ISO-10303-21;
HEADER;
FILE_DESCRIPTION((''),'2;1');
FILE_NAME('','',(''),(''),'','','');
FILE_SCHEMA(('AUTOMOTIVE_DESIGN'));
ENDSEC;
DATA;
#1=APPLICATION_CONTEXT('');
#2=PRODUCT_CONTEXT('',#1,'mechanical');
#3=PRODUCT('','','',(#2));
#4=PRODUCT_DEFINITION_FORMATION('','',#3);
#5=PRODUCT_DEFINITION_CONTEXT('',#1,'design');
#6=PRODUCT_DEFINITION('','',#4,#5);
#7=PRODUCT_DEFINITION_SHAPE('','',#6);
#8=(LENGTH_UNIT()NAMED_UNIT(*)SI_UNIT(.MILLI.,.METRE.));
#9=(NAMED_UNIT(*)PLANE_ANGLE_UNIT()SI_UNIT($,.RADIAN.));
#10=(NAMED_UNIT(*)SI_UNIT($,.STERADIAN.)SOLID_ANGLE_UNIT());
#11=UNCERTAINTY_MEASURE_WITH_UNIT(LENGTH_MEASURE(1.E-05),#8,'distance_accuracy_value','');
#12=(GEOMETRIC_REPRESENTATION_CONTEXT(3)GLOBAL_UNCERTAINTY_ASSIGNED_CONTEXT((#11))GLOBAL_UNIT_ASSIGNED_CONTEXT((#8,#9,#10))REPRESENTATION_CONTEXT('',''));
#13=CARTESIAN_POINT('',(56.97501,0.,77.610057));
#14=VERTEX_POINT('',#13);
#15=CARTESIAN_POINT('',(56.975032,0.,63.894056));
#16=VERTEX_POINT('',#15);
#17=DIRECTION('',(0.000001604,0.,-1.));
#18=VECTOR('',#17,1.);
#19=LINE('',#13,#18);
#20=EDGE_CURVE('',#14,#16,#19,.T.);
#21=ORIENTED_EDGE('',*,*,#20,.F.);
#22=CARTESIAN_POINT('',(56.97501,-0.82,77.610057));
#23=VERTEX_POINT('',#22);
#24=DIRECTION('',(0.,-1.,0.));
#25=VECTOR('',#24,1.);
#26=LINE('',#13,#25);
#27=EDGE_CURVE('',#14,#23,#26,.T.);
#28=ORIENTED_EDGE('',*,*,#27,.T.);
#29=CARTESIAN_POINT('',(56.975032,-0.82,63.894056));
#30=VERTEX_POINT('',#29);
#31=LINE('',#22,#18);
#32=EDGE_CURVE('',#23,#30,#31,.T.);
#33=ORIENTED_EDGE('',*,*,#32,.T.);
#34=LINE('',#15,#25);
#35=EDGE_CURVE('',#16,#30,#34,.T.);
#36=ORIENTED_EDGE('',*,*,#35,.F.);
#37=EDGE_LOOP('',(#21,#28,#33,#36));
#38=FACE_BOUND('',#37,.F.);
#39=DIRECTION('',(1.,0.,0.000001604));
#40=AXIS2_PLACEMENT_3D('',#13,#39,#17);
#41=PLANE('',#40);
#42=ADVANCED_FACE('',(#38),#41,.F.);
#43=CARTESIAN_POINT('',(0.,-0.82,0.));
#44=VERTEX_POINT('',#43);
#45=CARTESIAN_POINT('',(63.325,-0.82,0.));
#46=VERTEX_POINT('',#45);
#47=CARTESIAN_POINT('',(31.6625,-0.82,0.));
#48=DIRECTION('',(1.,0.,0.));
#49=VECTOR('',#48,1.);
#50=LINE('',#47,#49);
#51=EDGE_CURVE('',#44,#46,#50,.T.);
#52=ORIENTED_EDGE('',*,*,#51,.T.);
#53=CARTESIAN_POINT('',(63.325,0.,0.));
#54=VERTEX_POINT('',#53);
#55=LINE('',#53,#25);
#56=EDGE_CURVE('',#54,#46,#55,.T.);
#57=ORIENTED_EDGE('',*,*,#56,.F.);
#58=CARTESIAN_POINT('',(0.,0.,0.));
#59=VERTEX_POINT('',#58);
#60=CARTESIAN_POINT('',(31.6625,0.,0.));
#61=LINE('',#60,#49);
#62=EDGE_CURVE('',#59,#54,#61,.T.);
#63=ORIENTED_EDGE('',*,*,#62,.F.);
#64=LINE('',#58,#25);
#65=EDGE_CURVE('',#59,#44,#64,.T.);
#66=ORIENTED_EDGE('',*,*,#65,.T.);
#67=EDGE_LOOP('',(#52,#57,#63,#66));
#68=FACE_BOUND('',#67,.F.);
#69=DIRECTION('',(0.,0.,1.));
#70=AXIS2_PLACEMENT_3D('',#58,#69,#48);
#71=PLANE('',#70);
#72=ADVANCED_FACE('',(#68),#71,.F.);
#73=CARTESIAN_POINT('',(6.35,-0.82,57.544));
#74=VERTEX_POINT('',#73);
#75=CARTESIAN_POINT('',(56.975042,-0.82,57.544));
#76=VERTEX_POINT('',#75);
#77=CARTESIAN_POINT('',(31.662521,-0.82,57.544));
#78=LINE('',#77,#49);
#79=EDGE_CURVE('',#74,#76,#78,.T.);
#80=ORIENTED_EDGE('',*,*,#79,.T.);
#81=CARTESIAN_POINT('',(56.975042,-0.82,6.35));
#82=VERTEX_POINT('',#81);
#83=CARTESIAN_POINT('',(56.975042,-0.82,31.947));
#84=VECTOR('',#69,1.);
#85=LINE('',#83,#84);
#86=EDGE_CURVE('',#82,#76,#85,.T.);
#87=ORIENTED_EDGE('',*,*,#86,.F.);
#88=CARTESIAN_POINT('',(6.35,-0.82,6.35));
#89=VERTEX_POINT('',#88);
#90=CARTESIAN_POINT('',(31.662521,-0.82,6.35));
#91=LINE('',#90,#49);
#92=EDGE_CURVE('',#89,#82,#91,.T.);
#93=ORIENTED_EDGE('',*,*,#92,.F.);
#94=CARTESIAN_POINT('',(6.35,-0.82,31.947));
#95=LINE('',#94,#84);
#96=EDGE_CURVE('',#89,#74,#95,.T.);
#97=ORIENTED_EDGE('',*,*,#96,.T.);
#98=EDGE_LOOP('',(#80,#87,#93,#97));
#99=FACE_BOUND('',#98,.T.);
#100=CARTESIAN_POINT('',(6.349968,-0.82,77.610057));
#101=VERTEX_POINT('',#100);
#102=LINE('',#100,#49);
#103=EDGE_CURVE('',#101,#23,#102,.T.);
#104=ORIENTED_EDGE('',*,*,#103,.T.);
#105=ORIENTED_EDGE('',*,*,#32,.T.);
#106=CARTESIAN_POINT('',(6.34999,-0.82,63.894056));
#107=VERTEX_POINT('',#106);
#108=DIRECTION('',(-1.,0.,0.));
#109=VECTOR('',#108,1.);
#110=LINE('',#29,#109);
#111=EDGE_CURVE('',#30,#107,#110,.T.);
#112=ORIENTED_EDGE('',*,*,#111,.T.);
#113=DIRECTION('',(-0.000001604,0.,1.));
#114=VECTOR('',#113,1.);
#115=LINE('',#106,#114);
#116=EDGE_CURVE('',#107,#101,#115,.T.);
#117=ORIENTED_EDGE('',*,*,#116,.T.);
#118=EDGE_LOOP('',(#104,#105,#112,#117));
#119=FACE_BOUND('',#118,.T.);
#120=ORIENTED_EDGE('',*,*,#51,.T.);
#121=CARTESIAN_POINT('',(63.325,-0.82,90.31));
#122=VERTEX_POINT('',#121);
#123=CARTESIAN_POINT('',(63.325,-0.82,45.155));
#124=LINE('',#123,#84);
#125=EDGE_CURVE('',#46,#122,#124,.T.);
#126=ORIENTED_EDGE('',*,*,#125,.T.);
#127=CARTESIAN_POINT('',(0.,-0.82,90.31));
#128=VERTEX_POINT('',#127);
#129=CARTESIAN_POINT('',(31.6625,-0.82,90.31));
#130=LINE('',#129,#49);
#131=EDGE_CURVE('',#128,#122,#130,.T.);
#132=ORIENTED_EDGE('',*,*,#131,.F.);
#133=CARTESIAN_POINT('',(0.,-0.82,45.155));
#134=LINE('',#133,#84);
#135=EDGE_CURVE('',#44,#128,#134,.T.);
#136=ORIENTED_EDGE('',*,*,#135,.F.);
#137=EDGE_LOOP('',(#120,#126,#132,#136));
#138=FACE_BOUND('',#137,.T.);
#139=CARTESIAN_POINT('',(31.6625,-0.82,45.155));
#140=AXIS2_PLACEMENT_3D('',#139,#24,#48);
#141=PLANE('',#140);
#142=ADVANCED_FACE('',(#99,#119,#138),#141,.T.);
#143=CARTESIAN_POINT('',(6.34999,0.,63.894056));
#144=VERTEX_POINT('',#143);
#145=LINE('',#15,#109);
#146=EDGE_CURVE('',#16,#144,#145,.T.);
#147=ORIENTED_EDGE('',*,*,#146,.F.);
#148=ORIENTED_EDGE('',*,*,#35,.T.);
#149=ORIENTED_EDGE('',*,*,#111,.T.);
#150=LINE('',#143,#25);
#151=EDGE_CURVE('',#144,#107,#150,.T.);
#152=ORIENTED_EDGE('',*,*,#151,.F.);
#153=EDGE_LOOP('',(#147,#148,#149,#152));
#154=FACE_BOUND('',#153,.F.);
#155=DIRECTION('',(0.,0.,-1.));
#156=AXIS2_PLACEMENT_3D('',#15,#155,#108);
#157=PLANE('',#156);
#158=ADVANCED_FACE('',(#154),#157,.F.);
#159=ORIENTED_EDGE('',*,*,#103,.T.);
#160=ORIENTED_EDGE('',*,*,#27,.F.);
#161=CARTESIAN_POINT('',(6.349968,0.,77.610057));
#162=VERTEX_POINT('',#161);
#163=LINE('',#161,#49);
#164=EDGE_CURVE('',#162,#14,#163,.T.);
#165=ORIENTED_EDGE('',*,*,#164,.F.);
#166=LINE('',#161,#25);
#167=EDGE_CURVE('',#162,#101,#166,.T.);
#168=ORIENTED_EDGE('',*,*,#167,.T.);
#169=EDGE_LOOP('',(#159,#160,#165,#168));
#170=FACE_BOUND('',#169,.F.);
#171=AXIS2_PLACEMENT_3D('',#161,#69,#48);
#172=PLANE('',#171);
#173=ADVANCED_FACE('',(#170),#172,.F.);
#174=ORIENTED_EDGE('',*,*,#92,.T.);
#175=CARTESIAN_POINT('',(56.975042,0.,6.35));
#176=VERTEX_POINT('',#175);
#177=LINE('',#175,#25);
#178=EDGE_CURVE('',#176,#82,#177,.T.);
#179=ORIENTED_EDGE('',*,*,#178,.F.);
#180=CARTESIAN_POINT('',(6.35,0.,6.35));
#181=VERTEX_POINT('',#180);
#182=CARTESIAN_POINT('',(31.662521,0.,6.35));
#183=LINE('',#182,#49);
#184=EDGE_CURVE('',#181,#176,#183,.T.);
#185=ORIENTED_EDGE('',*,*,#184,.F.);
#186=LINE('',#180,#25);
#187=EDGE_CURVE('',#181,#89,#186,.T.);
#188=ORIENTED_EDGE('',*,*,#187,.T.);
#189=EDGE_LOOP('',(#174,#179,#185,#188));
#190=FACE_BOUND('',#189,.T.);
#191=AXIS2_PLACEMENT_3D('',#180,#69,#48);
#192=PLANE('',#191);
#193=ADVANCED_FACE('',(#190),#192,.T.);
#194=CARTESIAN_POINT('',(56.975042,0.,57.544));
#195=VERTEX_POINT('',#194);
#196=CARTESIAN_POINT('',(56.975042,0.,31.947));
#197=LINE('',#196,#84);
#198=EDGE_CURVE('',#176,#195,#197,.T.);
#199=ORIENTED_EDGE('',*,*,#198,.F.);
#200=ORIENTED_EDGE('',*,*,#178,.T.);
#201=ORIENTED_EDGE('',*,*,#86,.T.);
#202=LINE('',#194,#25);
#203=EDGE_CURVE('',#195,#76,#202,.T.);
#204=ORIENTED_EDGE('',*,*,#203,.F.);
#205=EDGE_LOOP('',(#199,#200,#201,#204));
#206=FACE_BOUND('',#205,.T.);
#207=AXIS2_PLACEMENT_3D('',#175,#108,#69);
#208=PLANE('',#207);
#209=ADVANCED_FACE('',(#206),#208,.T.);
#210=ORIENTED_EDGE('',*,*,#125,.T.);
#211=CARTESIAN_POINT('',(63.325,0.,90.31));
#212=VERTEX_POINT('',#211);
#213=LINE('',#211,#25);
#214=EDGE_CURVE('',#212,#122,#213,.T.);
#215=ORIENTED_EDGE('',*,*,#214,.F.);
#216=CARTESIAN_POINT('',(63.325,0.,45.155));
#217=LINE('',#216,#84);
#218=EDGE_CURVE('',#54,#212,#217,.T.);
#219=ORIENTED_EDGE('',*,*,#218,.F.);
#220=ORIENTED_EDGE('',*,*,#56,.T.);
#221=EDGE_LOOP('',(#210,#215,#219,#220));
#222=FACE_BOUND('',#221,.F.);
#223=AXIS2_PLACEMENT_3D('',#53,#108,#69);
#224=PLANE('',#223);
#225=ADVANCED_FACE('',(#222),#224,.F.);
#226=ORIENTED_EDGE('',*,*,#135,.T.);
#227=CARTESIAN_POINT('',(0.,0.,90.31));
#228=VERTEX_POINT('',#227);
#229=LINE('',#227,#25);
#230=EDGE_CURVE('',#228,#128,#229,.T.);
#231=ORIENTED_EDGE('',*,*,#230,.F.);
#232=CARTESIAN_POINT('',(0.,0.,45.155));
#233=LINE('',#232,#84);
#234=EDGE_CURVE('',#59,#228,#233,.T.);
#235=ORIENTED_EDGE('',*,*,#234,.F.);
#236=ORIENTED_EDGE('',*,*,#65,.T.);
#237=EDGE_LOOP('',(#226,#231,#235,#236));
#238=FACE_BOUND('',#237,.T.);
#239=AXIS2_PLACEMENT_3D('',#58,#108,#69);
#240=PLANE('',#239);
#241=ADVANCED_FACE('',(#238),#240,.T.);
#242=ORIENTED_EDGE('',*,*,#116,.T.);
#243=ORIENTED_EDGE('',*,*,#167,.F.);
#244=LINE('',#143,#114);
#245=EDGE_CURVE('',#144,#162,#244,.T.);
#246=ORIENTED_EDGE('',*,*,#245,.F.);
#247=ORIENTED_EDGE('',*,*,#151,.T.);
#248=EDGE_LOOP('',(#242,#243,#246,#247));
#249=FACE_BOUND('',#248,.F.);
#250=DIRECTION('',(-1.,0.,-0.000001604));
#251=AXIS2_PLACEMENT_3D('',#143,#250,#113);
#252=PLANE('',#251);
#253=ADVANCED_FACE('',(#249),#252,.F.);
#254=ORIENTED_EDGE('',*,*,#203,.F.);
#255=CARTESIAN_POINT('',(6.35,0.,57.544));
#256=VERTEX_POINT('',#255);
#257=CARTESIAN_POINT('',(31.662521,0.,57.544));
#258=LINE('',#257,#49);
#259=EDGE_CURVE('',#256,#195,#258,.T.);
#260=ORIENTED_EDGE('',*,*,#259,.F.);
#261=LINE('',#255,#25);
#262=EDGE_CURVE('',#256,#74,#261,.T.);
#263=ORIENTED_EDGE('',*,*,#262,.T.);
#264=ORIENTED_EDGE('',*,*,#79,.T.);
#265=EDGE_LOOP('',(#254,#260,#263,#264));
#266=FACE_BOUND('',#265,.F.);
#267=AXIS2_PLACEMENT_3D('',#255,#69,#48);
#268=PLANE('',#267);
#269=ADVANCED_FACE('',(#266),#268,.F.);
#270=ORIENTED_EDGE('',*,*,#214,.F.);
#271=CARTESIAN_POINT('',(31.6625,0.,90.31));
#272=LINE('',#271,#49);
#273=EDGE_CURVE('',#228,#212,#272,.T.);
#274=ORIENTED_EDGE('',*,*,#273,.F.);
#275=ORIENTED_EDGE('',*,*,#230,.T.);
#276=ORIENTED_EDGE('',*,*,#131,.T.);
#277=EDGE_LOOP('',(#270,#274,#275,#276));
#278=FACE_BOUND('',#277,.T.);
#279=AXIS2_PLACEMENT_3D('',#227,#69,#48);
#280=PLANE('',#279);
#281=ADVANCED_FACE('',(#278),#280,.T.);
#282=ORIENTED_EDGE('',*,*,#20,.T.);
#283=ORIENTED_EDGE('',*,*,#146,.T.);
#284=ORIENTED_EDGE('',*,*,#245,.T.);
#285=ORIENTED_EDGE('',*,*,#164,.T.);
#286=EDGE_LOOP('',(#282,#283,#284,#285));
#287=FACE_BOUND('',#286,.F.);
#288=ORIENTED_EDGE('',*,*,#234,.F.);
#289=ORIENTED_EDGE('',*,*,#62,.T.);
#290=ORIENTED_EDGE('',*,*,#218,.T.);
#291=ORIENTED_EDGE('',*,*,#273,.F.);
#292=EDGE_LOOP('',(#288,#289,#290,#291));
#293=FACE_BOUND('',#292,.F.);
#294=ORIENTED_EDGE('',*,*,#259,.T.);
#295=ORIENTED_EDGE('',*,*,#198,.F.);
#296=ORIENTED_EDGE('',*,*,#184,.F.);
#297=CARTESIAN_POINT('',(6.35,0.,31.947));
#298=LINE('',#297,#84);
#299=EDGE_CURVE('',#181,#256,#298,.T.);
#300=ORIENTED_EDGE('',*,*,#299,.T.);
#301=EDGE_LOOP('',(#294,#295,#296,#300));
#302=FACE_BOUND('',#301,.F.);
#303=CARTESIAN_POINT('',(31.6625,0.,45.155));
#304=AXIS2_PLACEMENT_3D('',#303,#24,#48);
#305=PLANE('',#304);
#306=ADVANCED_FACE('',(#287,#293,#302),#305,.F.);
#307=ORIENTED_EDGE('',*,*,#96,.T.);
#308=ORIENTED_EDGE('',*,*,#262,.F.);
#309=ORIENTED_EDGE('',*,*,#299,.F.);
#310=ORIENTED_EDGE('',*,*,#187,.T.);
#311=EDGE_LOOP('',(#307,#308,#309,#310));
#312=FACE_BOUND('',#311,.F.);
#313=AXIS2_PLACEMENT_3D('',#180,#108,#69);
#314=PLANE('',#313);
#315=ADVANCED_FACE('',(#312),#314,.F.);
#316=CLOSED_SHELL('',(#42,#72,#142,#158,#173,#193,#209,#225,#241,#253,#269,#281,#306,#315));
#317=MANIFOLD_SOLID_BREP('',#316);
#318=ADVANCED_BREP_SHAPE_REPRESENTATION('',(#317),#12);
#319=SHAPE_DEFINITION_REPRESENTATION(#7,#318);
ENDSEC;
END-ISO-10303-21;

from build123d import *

# Parameters (mm, degrees)
F0_W     = 63.325
F0_H     = 90.31
F0_W_2   = 50.625042
F0_H_2   = 51.194
F1_DEPTH = 0.82


with BuildPart() as f1:
    # F0 (on Front) → F1 (new body)
    with BuildSketch(Plane.XZ):
        with Locations((31.6625, 45.155)):
            Rectangle(F0_W, F0_H)
        with Locations((31.662521, 31.947)):
            Rectangle(F0_W_2, F0_H_2, mode=Mode.SUBTRACT)
        Polygon((6.34999, 63.894056), (6.349968, 77.610057), (56.97501, 77.610057), (56.975032, 63.894056), align=None, mode=Mode.SUBTRACT)
    extrude(amount=F1_DEPTH)


solid = f1.part
